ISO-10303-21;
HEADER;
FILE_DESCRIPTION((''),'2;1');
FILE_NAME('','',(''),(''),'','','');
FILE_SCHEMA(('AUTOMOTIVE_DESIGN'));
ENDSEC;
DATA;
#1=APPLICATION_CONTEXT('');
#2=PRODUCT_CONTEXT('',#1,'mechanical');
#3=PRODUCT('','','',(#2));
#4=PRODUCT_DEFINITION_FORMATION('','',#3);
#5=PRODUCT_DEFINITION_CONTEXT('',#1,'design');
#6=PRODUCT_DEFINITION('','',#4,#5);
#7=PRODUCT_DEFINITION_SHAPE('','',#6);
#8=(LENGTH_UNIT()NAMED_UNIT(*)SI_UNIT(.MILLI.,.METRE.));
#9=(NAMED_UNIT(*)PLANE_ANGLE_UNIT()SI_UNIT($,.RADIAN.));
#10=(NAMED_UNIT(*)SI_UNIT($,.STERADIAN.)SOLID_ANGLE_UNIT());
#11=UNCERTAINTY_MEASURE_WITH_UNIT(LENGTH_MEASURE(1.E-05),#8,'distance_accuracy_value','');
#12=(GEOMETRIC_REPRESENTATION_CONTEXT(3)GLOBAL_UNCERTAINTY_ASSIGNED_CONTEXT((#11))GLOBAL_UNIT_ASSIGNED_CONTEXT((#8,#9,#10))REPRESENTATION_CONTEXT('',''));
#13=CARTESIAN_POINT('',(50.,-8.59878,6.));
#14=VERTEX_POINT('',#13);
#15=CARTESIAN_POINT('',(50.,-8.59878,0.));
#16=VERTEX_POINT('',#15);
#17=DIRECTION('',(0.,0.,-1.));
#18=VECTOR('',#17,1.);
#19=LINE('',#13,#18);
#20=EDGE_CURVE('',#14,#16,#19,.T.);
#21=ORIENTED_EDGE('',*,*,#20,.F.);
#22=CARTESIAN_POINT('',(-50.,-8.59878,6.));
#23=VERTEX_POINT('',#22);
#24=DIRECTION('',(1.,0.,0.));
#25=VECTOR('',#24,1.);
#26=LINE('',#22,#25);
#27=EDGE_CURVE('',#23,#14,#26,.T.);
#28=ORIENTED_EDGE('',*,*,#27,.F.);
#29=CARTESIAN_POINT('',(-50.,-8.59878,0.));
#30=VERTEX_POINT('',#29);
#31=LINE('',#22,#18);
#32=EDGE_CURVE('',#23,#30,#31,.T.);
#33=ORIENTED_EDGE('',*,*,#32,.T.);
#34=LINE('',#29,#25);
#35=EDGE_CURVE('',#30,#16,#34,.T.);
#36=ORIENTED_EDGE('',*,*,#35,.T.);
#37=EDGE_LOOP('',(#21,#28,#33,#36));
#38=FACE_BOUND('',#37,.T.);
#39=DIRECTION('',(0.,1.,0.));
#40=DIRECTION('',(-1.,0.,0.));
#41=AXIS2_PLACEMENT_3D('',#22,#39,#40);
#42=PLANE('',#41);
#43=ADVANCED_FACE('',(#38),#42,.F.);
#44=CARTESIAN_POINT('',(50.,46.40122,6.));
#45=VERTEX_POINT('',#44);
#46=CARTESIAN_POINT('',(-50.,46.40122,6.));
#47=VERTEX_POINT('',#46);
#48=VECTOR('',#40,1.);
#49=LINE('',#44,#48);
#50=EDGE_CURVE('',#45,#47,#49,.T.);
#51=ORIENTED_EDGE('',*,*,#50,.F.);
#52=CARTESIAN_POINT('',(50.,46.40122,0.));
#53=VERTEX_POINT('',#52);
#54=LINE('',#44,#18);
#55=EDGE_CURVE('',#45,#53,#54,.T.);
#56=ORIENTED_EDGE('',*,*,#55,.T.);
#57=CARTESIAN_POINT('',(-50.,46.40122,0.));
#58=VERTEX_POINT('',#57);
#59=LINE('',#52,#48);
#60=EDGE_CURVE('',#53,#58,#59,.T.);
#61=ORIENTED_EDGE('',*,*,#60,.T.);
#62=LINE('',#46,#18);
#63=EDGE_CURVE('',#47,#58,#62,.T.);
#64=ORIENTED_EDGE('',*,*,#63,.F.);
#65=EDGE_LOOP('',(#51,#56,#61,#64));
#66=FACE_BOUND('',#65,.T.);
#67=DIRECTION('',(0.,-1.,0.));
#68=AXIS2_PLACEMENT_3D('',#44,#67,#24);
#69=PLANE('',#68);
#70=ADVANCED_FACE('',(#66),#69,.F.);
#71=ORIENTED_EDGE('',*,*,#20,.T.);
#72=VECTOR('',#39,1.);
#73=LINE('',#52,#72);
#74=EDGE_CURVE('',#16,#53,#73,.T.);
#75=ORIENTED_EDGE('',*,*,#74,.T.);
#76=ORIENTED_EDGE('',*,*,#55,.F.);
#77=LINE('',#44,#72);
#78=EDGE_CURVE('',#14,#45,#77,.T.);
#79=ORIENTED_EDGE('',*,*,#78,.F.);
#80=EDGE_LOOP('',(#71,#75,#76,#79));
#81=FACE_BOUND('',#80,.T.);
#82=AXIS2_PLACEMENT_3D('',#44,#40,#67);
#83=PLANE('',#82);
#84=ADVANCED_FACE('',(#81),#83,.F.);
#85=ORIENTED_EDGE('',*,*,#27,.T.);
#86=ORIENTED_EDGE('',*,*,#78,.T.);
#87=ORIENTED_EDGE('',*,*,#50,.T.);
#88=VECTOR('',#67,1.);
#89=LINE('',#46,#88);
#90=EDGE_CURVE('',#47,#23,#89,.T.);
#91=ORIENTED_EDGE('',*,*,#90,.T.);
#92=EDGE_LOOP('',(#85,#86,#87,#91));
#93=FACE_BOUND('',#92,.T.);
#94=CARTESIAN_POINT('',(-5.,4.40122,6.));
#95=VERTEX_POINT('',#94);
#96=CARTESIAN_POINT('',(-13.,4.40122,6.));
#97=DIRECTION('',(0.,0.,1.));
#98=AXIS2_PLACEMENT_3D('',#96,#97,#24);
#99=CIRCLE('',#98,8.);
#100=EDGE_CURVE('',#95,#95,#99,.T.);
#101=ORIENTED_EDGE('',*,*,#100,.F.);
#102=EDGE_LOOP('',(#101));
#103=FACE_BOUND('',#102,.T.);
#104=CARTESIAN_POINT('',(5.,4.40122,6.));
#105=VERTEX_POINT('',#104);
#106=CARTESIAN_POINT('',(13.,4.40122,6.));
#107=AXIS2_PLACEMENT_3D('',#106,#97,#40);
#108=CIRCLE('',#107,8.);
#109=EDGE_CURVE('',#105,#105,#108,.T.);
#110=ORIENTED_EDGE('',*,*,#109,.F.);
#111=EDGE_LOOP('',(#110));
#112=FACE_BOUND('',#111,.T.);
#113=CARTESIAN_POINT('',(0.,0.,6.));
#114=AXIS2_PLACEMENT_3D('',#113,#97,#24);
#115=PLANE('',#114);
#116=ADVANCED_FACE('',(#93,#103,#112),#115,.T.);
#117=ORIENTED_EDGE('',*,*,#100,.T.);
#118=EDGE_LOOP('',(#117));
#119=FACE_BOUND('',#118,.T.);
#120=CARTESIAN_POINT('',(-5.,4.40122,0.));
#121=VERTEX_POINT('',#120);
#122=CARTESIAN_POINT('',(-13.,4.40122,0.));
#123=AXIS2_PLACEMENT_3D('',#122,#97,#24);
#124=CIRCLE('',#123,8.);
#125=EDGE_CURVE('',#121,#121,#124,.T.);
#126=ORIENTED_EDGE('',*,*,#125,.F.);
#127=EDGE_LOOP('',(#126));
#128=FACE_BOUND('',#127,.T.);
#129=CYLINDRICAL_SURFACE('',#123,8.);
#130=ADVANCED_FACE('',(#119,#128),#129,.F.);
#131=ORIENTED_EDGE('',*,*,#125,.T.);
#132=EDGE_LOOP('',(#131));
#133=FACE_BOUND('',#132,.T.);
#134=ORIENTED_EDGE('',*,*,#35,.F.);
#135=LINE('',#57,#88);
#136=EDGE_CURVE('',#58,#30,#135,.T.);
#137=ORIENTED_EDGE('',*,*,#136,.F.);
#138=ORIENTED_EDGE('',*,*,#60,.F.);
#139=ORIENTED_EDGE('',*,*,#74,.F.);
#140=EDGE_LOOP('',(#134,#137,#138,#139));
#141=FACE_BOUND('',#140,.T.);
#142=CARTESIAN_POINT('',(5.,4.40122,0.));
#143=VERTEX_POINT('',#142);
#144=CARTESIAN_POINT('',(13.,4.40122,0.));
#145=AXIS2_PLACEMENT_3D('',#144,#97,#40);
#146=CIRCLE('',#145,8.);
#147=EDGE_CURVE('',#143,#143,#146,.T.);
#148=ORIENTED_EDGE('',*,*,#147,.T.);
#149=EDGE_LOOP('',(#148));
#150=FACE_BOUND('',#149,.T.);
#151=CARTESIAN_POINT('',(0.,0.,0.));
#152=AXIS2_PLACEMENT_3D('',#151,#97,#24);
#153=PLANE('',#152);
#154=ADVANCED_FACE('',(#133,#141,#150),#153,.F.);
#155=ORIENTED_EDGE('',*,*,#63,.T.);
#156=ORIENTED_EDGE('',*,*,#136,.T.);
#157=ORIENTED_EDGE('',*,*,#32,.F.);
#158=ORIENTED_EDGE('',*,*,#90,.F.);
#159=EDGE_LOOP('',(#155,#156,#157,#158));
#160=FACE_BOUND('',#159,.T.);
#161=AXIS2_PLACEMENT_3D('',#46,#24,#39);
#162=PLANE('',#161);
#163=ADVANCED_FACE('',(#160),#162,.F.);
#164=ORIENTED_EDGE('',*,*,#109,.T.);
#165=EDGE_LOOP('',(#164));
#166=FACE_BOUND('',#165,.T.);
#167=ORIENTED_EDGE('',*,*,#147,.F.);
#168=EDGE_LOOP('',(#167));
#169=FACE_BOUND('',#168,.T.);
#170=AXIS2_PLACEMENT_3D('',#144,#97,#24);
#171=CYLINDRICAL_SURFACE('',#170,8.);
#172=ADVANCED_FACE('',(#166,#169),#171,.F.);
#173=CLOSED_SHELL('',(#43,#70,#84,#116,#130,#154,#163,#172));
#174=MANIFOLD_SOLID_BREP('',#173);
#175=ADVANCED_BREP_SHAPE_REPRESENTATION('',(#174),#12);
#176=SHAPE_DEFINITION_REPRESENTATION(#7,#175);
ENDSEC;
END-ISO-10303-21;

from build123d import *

# Parameters (mm, degrees)
SKETCH1_W           = 100
SKETCH1_H           = 55
BOSS_EXTRUDE1_DEPTH = 6
SKETCH2_R           = 8
CUT_EXTRUDE1_DEPTH  = 6


with BuildPart() as part:
    # Sketch1 → Boss-Extrude1 (new body)
    with BuildSketch(Plane.XY):
        with Locations((0, 18.901219808)):
            Rectangle(SKETCH1_W, SKETCH1_H)
    extrude(amount=BOSS_EXTRUDE1_DEPTH)

    # Sketch2 → Cut-Extrude1 (cut)
    with BuildSketch(Plane.XY.offset(6)):
        with Locations((-13, 4.401219808)):
            Circle(SKETCH2_R)
        with Locations((13, 4.401219808)):
            Circle(SKETCH2_R)
    extrude(amount=-CUT_EXTRUDE1_DEPTH, mode=Mode.SUBTRACT)


solid = part.part
